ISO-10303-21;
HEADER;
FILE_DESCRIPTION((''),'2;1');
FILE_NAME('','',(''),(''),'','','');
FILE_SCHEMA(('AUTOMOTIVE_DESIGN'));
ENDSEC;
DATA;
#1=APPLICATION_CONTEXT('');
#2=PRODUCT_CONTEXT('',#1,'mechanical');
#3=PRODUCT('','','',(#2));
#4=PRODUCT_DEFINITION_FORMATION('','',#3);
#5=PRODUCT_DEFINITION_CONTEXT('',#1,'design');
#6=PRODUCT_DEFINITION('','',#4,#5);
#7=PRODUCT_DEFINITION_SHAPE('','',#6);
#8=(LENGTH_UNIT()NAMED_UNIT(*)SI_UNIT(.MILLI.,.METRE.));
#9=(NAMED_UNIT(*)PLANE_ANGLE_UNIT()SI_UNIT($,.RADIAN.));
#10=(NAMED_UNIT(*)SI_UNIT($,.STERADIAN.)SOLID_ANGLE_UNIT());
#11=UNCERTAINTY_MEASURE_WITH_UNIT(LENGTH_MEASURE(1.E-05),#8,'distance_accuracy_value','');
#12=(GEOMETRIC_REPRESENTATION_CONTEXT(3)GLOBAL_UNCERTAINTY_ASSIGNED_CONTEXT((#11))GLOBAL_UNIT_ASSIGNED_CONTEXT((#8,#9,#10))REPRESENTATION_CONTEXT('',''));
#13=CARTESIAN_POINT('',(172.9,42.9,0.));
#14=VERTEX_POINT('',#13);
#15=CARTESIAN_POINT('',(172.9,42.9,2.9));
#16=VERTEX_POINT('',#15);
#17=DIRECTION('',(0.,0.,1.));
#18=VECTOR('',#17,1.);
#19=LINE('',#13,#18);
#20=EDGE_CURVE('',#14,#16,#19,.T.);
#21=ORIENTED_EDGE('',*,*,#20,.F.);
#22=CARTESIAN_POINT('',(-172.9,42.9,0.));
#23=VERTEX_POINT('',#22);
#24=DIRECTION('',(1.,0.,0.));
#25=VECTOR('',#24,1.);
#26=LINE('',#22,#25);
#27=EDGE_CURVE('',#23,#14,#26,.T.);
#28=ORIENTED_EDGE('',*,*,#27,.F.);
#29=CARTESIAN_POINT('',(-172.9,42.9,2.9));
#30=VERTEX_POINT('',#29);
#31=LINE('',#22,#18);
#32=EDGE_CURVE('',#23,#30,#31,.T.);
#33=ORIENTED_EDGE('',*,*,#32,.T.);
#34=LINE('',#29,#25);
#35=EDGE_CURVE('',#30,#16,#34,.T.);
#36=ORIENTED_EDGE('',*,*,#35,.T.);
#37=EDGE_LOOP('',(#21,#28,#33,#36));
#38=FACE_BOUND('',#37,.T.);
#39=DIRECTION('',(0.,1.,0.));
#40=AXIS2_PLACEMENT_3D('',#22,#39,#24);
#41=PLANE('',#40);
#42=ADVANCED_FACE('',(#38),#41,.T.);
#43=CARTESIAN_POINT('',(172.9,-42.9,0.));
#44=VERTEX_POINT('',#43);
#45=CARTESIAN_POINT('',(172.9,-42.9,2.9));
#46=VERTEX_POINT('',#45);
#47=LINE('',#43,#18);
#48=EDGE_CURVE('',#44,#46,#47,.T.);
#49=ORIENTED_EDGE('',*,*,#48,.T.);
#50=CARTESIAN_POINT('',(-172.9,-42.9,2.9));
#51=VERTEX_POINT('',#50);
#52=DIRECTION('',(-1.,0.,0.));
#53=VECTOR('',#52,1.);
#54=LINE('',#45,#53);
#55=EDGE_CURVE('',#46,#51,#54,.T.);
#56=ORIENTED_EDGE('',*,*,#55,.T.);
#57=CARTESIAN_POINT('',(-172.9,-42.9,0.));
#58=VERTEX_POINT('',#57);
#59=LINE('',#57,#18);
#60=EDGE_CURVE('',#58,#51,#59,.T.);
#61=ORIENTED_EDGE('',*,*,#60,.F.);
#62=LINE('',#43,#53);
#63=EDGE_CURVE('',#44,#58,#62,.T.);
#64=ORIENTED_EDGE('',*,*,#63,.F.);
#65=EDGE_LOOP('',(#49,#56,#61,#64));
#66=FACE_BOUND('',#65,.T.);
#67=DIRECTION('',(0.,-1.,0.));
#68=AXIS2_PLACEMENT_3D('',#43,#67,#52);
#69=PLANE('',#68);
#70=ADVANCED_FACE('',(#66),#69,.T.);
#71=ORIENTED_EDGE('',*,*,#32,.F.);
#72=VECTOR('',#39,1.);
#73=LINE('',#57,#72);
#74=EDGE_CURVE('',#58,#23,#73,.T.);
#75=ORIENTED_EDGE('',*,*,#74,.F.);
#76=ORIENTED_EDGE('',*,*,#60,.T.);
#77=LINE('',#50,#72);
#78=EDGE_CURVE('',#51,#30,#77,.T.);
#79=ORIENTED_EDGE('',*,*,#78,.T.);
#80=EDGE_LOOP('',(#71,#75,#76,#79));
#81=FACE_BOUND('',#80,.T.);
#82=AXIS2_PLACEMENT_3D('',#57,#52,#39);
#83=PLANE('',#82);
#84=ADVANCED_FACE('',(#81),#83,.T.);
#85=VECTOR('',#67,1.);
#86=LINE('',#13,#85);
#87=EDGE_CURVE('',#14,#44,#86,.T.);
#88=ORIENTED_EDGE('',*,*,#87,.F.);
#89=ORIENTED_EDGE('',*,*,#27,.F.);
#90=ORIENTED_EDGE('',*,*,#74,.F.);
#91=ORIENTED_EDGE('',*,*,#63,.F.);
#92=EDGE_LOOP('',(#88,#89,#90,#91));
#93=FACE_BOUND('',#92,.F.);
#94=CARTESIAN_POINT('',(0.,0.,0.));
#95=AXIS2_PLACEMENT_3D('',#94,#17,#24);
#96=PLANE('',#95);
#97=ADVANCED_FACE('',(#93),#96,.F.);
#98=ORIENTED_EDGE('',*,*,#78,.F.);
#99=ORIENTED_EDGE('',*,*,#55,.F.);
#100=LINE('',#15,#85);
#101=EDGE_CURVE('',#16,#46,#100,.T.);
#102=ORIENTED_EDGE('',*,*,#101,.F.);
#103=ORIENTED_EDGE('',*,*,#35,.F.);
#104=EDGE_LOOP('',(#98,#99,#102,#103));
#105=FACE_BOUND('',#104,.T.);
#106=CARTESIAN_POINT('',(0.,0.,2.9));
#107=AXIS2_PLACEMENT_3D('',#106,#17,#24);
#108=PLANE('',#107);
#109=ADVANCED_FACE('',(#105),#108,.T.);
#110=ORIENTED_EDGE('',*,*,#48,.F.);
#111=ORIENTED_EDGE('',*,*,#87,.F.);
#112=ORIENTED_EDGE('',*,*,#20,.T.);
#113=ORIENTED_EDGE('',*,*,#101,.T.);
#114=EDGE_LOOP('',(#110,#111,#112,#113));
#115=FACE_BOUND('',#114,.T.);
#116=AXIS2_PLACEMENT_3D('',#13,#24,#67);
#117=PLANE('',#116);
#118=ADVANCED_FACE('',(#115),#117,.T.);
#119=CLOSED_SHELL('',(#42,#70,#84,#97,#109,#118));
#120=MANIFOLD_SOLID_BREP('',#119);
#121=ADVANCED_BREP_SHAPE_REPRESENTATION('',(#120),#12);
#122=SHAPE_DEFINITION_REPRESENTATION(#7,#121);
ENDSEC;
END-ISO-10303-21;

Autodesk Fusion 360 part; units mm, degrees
sketch "Sketch1" plane through (0, 0, 0) normal (0, 0, 1) x (1, 0, 0)
  line L0 (172.9, -42.9) -> (-172.9, -42.9)
  line L1 (-172.9, -42.9) -> (-172.9, 42.9)
  line L2 (-172.9, 42.9) -> (172.9, 42.9)
  line L3 (172.9, 42.9) -> (172.9, -42.9)
  line L4 (172.9, -42.9) -> (-172.9, 42.9) construction
  line L5 (-172.9, -42.9) -> (172.9, 42.9) construction
  dimension "d1" = 345.8
  dimension "d2" = 85.8
extrude "Extrude1" add sketch "Sketch1" along normal blind 2.9 makes body 1
copy_body "Body->Comp1" bodies 1 removing the originals makes body 2 in component "Dhakna"
component "Dhakna" placed x (1, 0, 0) y (0, 1, 0) z (0, 0, 1) at (0, 0, 0)
